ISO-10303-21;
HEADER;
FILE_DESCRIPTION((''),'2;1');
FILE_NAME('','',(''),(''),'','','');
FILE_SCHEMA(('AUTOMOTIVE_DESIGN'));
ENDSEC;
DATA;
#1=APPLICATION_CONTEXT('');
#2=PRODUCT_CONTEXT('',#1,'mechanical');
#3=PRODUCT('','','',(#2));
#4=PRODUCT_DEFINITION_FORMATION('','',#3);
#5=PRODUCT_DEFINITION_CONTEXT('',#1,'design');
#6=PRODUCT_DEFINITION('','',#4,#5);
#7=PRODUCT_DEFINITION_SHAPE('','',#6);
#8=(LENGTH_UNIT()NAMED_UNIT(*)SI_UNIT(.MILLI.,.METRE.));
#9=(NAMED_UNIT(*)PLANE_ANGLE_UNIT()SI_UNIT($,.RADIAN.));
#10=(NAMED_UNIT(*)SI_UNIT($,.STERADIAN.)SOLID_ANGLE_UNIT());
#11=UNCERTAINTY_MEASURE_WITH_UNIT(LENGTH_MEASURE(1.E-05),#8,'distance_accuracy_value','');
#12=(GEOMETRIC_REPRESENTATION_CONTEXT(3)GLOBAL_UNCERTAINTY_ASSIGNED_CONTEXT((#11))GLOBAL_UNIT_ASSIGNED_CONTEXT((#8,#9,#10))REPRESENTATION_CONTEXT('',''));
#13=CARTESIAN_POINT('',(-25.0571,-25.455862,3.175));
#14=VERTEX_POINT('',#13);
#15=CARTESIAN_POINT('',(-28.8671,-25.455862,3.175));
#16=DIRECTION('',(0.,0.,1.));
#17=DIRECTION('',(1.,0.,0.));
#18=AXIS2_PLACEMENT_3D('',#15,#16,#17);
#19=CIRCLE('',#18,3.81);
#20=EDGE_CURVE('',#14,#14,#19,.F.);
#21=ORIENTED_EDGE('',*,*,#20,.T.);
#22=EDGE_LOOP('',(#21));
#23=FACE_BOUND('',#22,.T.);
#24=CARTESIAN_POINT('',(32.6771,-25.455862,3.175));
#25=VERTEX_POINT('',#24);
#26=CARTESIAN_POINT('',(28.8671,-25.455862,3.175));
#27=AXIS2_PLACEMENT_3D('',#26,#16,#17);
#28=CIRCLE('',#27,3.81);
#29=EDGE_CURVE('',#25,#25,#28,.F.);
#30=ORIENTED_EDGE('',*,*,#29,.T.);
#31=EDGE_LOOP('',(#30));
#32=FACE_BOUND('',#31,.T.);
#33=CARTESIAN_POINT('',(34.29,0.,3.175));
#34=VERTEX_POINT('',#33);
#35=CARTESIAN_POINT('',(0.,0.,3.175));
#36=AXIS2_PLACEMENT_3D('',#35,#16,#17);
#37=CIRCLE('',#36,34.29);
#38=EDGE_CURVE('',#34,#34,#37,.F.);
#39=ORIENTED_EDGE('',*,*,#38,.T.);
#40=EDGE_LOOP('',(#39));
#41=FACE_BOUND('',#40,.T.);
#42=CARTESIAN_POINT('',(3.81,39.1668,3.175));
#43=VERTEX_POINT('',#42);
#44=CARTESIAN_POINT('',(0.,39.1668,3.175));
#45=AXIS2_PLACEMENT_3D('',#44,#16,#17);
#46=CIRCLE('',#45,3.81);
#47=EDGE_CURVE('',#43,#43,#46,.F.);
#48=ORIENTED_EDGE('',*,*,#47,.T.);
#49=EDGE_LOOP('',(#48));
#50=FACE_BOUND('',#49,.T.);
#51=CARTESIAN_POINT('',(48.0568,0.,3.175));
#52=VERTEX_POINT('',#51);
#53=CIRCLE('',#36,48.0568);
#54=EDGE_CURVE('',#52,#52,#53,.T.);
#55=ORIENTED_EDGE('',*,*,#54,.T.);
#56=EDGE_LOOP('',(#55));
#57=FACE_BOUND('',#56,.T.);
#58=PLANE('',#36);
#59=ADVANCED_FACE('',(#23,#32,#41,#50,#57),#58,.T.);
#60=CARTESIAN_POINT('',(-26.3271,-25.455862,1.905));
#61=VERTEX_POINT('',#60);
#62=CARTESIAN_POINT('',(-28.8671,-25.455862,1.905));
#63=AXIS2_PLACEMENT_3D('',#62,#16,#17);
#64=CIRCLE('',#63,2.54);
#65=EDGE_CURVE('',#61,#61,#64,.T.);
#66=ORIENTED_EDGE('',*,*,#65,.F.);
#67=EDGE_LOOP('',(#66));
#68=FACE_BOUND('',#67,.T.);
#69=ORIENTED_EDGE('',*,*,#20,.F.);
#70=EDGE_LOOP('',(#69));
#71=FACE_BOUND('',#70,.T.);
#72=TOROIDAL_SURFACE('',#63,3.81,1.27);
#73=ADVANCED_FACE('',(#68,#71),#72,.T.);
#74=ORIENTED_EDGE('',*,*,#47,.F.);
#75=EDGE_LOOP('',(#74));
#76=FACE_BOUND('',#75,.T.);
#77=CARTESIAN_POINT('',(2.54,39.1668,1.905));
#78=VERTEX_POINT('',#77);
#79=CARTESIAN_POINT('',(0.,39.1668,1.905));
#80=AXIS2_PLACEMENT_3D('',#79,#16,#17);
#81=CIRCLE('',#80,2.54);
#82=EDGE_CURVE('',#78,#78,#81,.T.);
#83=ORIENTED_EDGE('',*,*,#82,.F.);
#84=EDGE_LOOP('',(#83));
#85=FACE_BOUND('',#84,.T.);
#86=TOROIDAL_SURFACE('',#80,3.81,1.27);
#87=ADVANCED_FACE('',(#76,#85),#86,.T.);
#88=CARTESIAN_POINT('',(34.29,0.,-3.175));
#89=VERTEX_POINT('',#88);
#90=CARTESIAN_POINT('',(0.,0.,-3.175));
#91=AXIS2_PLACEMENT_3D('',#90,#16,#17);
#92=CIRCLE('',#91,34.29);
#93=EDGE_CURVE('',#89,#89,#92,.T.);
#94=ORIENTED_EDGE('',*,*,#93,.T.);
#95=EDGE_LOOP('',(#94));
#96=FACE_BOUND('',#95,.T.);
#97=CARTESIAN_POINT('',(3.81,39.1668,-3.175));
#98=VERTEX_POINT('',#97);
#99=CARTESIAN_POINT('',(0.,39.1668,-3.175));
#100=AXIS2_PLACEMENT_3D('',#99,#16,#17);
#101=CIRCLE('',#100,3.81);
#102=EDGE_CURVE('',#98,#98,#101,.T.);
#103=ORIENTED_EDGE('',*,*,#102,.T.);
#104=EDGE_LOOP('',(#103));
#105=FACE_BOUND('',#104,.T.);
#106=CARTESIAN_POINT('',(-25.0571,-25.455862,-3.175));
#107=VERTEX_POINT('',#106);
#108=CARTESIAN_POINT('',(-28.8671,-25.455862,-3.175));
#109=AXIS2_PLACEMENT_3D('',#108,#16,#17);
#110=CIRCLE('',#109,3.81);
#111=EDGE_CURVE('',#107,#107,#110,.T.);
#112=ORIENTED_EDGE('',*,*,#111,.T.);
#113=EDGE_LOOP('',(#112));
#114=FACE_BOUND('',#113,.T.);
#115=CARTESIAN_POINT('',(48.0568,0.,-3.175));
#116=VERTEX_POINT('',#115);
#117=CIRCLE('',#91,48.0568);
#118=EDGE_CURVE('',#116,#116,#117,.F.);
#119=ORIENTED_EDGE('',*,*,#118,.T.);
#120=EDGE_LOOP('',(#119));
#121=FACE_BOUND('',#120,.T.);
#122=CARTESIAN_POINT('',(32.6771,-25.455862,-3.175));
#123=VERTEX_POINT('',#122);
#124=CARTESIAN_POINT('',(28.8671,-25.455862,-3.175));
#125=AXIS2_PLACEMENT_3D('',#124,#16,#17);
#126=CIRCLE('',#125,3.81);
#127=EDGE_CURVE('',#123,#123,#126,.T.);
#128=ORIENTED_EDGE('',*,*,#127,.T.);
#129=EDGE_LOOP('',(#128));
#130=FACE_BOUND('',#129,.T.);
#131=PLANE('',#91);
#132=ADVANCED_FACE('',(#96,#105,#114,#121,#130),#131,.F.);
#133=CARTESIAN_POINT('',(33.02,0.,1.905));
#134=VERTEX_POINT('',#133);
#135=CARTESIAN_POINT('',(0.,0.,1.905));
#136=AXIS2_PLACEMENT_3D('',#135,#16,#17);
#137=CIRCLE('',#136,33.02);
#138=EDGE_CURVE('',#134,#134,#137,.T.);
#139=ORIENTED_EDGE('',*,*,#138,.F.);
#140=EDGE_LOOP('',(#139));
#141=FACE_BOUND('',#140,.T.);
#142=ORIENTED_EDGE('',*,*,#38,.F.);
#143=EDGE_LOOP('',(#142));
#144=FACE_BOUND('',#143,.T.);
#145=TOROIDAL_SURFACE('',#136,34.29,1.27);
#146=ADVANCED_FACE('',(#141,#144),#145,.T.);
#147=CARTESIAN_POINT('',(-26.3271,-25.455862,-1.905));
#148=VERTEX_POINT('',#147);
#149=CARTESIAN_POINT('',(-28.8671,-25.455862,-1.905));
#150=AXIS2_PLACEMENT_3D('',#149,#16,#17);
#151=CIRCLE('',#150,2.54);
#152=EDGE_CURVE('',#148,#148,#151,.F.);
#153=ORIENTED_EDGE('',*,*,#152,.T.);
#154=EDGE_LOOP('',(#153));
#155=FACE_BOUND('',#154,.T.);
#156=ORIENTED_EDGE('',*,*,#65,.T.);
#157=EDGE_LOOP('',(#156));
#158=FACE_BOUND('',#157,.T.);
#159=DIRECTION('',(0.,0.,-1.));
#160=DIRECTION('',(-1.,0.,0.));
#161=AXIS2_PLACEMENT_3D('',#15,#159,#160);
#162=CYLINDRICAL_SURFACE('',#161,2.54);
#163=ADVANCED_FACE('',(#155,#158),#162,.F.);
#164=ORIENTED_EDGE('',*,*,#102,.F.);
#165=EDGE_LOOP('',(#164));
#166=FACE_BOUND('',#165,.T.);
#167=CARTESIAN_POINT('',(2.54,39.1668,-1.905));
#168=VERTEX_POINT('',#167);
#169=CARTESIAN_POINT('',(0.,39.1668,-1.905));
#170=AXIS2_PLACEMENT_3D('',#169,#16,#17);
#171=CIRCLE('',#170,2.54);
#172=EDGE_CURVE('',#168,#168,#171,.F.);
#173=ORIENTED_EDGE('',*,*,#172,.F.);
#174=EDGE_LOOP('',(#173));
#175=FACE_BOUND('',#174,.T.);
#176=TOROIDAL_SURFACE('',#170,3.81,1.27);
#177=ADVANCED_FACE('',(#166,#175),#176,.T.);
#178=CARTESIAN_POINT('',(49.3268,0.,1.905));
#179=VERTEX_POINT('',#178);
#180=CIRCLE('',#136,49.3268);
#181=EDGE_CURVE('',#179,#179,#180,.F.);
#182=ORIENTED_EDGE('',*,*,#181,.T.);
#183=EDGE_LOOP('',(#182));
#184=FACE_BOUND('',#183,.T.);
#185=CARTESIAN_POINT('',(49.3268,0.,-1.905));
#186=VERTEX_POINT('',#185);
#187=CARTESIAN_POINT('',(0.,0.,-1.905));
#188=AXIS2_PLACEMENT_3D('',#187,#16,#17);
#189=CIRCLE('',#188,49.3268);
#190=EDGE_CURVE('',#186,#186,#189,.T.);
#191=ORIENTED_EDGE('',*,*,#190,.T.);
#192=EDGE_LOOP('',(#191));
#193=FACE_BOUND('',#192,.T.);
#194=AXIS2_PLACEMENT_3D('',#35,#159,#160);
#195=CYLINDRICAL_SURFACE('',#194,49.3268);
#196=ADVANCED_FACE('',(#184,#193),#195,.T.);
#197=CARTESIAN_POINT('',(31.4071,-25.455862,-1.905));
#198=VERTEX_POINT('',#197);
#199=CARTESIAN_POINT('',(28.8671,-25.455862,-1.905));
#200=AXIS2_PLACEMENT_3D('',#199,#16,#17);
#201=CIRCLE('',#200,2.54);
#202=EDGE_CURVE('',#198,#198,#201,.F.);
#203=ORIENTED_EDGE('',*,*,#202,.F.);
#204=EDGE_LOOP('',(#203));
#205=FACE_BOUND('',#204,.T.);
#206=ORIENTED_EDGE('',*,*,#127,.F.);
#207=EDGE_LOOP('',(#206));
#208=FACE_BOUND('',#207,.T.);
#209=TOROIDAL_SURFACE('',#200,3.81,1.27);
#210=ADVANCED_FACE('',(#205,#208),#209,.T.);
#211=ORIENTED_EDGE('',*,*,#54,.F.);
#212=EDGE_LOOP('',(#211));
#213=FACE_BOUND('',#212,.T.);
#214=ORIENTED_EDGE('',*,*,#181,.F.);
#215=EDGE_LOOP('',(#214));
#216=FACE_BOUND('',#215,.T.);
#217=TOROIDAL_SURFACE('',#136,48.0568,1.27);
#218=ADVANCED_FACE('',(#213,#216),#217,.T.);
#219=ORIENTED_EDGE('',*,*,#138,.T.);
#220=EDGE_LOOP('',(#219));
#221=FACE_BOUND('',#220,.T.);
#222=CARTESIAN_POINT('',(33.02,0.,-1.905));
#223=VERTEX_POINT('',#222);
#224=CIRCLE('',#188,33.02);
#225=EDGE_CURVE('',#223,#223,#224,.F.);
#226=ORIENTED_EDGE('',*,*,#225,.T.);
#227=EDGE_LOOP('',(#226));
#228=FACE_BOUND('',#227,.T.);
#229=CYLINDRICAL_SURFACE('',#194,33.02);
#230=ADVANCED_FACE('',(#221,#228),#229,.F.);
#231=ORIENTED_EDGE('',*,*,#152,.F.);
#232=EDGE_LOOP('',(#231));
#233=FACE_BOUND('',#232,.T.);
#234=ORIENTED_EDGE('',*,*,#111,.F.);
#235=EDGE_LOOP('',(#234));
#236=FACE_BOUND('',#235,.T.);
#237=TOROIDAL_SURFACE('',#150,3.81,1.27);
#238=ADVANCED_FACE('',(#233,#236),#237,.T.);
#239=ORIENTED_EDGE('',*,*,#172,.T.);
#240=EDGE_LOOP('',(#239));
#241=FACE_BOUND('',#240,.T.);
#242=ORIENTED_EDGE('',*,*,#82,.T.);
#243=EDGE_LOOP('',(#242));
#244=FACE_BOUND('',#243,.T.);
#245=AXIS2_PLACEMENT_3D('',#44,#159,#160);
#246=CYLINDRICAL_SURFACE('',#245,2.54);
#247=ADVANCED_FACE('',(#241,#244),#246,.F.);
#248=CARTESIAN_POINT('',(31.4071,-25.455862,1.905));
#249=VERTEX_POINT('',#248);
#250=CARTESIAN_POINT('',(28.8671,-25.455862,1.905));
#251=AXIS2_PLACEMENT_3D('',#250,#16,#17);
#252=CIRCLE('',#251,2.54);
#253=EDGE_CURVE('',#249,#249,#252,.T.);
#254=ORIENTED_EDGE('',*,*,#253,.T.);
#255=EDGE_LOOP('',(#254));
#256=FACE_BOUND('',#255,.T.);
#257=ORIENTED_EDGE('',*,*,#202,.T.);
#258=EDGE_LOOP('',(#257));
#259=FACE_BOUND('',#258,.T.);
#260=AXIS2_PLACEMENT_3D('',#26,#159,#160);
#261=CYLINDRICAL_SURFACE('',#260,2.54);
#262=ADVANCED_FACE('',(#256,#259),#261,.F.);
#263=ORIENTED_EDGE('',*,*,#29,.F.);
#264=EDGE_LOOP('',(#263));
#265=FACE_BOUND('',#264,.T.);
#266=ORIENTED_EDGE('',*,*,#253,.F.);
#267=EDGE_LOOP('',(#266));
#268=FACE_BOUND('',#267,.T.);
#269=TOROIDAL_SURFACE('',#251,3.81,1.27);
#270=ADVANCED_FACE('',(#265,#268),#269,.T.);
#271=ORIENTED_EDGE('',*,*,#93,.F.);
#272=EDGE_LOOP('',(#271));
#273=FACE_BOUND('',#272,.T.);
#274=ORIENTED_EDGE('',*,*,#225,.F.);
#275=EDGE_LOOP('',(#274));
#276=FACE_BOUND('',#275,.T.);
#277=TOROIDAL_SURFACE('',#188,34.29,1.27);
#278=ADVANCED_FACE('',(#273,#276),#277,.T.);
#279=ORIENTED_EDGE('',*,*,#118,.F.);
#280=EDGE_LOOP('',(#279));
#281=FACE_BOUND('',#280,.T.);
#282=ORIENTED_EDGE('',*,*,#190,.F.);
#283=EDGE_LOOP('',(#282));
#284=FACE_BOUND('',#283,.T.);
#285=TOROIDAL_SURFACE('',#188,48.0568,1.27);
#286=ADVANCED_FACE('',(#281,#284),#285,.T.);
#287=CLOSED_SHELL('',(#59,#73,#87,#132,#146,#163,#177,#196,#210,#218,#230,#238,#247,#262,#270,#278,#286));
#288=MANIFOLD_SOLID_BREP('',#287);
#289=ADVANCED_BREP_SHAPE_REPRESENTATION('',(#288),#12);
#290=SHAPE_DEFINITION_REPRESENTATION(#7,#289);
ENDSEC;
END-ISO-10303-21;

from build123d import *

# Parameters (mm, degrees)
SKETCH1_R           = 49.3268
SKETCH1_R_2         = 2.54
SKETCH1_R_3         = 33.02
BOSS_EXTRUDE1_DEPTH = 3.175
FILLET1_R           = 1.27


with BuildPart() as part:
    # Sketch1 → Boss-Extrude1 (new, symmetric)
    with BuildSketch(Plane.XY):
        Circle(SKETCH1_R)
        with Locations((0, 39.1668)):
            Circle(SKETCH1_R_2, mode=Mode.SUBTRACT)
        Circle(SKETCH1_R_3, mode=Mode.SUBTRACT)
        with Locations((28.8671, -25.45586183)):
            Circle(SKETCH1_R_2, mode=Mode.SUBTRACT)
        with Locations((-28.8671, -25.45586183)):
            Circle(SKETCH1_R_2, mode=Mode.SUBTRACT)
    extrude(amount=BOSS_EXTRUDE1_DEPTH, both=True)

    # Fillet1
    fillet1_edges = [part.edges().sort_by_distance(p)[0] for p in [
        (-31.4071, -25.45586183, 3.175),
        (26.3271, -25.45586183, 3.175),
        (-33.02, 0, 3.175),
        (-2.54, 39.1668, 3.175),
        (-49.3268, 0, 3.175),
        (-49.3268, 0, -3.175),
        (-2.54, 39.1668, -3.175),
        (-33.02, 0, -3.175),
        (26.3271, -25.45586183, -3.175),
        (-31.4071, -25.45586183, -3.175),
    ]]
    fillet(fillet1_edges, radius=FILLET1_R)


solid = part.part
